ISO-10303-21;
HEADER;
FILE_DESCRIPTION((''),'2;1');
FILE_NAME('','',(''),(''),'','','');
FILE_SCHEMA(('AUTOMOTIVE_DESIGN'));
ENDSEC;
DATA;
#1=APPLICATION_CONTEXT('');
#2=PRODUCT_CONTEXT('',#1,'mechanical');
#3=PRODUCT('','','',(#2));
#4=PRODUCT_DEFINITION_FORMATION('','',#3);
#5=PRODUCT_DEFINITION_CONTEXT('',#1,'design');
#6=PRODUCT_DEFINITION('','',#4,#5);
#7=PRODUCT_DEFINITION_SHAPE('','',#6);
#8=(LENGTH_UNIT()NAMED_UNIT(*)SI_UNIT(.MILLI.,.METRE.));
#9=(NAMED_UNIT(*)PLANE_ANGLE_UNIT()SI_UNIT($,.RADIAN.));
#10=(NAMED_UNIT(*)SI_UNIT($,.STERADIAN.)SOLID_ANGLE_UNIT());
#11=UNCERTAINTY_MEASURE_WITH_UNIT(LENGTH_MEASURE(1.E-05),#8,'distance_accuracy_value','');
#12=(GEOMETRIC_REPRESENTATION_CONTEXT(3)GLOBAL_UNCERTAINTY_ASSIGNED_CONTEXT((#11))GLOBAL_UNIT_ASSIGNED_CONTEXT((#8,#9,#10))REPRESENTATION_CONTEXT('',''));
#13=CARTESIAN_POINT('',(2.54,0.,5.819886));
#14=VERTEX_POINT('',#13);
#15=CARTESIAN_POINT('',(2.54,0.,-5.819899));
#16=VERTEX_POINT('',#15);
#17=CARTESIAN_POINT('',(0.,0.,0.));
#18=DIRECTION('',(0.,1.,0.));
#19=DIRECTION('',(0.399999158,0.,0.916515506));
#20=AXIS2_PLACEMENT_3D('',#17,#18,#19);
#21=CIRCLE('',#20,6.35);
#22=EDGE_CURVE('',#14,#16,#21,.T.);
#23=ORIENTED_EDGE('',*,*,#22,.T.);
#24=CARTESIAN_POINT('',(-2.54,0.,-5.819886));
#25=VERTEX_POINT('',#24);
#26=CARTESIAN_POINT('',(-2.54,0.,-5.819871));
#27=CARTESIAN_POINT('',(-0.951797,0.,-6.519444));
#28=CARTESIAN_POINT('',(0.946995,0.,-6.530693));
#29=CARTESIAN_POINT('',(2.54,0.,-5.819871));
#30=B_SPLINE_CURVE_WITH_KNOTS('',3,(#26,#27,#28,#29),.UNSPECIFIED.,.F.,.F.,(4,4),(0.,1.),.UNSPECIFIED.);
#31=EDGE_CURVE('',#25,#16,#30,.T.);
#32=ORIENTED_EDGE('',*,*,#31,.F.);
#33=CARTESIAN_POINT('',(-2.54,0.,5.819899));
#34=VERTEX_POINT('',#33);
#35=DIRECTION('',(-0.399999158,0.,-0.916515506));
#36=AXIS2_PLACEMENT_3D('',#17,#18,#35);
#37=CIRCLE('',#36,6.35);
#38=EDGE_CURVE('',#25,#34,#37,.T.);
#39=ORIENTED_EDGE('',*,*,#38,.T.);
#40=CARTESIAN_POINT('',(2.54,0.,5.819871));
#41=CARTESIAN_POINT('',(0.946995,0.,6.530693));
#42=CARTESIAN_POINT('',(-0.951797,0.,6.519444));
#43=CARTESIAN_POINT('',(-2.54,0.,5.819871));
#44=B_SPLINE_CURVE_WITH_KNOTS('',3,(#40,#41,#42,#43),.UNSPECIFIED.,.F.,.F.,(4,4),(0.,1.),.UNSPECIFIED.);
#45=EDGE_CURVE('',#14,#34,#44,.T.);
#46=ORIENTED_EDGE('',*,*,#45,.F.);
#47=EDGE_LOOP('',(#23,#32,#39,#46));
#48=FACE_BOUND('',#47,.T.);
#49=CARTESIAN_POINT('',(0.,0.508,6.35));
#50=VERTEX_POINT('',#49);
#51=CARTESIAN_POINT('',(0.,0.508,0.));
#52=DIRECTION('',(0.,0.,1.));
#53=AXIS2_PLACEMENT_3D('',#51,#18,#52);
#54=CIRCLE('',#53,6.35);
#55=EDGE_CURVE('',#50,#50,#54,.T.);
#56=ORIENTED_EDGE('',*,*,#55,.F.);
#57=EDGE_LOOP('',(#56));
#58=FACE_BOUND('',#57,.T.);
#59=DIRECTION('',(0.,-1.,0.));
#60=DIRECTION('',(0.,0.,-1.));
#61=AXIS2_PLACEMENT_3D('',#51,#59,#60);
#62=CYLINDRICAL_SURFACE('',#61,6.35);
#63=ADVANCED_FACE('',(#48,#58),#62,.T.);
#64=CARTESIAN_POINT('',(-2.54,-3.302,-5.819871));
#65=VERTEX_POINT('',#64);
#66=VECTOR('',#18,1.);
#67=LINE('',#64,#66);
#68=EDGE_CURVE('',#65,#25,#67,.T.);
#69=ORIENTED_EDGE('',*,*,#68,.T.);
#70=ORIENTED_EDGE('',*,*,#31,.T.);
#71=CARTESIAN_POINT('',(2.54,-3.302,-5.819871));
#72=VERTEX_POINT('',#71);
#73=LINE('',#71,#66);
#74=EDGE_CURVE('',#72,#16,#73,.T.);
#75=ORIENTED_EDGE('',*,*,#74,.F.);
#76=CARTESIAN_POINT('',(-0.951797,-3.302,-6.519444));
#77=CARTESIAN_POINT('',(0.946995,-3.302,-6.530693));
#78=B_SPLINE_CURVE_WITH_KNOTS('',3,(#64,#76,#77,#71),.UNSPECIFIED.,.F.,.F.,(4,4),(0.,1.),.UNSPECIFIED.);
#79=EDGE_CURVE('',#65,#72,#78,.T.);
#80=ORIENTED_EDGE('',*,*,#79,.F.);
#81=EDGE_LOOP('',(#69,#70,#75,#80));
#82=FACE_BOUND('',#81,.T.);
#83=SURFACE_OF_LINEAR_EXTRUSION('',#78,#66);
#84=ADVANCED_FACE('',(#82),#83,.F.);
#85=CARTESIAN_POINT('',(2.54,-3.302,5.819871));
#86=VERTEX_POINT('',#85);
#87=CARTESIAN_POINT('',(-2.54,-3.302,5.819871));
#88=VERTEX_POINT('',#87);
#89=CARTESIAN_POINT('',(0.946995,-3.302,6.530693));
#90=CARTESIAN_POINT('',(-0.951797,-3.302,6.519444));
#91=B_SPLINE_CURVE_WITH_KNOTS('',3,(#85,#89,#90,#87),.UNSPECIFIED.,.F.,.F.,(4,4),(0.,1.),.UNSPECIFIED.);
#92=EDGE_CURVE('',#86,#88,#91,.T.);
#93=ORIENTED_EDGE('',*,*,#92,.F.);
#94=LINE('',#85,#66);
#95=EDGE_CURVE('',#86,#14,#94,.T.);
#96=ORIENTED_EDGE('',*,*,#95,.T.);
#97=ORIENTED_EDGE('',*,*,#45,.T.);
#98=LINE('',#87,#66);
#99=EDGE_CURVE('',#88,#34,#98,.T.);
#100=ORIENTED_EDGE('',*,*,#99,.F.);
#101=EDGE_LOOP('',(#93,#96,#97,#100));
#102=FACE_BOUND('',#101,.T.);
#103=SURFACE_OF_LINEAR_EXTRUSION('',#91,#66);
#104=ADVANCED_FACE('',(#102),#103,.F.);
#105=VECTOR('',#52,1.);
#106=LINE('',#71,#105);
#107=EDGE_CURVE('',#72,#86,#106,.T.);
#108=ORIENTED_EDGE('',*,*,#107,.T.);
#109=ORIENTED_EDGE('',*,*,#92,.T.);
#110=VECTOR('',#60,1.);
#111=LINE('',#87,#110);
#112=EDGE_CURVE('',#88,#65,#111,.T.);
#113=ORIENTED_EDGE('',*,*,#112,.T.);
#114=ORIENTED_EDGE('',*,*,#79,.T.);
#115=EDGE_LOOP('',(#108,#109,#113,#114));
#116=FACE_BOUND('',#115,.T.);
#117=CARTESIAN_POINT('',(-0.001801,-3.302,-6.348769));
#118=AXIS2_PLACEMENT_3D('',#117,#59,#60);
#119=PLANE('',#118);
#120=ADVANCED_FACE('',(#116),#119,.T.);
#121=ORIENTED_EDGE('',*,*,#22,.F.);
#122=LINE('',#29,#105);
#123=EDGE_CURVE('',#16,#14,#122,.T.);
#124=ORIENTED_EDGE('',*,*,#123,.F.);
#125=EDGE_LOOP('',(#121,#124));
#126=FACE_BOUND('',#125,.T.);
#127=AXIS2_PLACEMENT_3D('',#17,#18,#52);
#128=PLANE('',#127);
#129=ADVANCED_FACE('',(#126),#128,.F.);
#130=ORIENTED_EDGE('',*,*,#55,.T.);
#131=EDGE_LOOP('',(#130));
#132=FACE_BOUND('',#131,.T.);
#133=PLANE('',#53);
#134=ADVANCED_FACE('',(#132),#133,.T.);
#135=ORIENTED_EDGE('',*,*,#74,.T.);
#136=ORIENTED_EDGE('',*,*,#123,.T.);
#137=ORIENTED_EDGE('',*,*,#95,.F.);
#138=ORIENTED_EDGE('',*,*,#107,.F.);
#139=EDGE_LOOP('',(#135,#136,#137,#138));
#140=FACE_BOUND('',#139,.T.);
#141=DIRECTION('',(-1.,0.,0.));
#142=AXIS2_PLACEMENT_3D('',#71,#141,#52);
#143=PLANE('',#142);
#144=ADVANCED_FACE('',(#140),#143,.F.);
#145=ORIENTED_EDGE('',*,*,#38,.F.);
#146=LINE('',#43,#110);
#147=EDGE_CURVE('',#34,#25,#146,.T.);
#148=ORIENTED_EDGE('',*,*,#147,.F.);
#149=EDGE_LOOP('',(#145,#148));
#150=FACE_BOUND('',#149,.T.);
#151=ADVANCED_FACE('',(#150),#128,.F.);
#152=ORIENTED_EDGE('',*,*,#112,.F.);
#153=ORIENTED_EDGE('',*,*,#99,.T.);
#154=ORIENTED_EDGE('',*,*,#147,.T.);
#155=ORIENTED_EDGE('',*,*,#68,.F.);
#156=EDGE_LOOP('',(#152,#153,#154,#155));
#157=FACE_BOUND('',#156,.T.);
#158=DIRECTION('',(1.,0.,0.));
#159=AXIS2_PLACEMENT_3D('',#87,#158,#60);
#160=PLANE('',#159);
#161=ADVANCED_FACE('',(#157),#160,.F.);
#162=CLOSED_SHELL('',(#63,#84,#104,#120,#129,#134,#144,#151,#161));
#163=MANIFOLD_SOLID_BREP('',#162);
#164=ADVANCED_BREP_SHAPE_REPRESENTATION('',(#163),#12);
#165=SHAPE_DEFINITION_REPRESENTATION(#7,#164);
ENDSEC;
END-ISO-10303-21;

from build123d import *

# Parameters (mm, degrees)
SKETCH5_R           = 6.35
BOSS_EXTRUDE4_DEPTH = 0.508
BOSS_EXTRUDE8_DEPTH = 3.302


with BuildPart() as part:
    # Sketch5 → Boss-Extrude4 (new body)
    with BuildSketch(Plane(origin=(0, 0, 0), x_dir=(1, 0, 0), z_dir=(0, 1, 0))):
        with Locations(Location((0, 0, 0), (0, 0, 270))):
            Circle(SKETCH5_R)
    extrude(amount=BOSS_EXTRUDE4_DEPTH)

    # Sketch7 → Boss-Extrude8 (add)
    with BuildSketch(Plane.XZ):
        with BuildLine():
            Line((2.54, -5.819871133), (2.54, 5.819871133))
            add(Edge.make_bspline(
                [(2.54, 5.819871133), (0.946994971, 6.530692712), (-0.951796694, 6.519444039), (-2.54, 5.819871133)],
                knots=[0, 0, 0, 0, 1, 1, 1, 1], degree=3))
            Line((-2.54, 5.819871133), (-2.54, -5.819871133))
            add(Edge.make_bspline(
                [(2.54, -5.819871133), (0.946994971, -6.530692712), (-0.951796694, -6.519444039), (-2.54, -5.819871133)],
                knots=[0, 0, 0, 0, 1, 1, 1, 1], degree=3))
        make_face()
    extrude(amount=BOSS_EXTRUDE8_DEPTH)


solid = part.part
